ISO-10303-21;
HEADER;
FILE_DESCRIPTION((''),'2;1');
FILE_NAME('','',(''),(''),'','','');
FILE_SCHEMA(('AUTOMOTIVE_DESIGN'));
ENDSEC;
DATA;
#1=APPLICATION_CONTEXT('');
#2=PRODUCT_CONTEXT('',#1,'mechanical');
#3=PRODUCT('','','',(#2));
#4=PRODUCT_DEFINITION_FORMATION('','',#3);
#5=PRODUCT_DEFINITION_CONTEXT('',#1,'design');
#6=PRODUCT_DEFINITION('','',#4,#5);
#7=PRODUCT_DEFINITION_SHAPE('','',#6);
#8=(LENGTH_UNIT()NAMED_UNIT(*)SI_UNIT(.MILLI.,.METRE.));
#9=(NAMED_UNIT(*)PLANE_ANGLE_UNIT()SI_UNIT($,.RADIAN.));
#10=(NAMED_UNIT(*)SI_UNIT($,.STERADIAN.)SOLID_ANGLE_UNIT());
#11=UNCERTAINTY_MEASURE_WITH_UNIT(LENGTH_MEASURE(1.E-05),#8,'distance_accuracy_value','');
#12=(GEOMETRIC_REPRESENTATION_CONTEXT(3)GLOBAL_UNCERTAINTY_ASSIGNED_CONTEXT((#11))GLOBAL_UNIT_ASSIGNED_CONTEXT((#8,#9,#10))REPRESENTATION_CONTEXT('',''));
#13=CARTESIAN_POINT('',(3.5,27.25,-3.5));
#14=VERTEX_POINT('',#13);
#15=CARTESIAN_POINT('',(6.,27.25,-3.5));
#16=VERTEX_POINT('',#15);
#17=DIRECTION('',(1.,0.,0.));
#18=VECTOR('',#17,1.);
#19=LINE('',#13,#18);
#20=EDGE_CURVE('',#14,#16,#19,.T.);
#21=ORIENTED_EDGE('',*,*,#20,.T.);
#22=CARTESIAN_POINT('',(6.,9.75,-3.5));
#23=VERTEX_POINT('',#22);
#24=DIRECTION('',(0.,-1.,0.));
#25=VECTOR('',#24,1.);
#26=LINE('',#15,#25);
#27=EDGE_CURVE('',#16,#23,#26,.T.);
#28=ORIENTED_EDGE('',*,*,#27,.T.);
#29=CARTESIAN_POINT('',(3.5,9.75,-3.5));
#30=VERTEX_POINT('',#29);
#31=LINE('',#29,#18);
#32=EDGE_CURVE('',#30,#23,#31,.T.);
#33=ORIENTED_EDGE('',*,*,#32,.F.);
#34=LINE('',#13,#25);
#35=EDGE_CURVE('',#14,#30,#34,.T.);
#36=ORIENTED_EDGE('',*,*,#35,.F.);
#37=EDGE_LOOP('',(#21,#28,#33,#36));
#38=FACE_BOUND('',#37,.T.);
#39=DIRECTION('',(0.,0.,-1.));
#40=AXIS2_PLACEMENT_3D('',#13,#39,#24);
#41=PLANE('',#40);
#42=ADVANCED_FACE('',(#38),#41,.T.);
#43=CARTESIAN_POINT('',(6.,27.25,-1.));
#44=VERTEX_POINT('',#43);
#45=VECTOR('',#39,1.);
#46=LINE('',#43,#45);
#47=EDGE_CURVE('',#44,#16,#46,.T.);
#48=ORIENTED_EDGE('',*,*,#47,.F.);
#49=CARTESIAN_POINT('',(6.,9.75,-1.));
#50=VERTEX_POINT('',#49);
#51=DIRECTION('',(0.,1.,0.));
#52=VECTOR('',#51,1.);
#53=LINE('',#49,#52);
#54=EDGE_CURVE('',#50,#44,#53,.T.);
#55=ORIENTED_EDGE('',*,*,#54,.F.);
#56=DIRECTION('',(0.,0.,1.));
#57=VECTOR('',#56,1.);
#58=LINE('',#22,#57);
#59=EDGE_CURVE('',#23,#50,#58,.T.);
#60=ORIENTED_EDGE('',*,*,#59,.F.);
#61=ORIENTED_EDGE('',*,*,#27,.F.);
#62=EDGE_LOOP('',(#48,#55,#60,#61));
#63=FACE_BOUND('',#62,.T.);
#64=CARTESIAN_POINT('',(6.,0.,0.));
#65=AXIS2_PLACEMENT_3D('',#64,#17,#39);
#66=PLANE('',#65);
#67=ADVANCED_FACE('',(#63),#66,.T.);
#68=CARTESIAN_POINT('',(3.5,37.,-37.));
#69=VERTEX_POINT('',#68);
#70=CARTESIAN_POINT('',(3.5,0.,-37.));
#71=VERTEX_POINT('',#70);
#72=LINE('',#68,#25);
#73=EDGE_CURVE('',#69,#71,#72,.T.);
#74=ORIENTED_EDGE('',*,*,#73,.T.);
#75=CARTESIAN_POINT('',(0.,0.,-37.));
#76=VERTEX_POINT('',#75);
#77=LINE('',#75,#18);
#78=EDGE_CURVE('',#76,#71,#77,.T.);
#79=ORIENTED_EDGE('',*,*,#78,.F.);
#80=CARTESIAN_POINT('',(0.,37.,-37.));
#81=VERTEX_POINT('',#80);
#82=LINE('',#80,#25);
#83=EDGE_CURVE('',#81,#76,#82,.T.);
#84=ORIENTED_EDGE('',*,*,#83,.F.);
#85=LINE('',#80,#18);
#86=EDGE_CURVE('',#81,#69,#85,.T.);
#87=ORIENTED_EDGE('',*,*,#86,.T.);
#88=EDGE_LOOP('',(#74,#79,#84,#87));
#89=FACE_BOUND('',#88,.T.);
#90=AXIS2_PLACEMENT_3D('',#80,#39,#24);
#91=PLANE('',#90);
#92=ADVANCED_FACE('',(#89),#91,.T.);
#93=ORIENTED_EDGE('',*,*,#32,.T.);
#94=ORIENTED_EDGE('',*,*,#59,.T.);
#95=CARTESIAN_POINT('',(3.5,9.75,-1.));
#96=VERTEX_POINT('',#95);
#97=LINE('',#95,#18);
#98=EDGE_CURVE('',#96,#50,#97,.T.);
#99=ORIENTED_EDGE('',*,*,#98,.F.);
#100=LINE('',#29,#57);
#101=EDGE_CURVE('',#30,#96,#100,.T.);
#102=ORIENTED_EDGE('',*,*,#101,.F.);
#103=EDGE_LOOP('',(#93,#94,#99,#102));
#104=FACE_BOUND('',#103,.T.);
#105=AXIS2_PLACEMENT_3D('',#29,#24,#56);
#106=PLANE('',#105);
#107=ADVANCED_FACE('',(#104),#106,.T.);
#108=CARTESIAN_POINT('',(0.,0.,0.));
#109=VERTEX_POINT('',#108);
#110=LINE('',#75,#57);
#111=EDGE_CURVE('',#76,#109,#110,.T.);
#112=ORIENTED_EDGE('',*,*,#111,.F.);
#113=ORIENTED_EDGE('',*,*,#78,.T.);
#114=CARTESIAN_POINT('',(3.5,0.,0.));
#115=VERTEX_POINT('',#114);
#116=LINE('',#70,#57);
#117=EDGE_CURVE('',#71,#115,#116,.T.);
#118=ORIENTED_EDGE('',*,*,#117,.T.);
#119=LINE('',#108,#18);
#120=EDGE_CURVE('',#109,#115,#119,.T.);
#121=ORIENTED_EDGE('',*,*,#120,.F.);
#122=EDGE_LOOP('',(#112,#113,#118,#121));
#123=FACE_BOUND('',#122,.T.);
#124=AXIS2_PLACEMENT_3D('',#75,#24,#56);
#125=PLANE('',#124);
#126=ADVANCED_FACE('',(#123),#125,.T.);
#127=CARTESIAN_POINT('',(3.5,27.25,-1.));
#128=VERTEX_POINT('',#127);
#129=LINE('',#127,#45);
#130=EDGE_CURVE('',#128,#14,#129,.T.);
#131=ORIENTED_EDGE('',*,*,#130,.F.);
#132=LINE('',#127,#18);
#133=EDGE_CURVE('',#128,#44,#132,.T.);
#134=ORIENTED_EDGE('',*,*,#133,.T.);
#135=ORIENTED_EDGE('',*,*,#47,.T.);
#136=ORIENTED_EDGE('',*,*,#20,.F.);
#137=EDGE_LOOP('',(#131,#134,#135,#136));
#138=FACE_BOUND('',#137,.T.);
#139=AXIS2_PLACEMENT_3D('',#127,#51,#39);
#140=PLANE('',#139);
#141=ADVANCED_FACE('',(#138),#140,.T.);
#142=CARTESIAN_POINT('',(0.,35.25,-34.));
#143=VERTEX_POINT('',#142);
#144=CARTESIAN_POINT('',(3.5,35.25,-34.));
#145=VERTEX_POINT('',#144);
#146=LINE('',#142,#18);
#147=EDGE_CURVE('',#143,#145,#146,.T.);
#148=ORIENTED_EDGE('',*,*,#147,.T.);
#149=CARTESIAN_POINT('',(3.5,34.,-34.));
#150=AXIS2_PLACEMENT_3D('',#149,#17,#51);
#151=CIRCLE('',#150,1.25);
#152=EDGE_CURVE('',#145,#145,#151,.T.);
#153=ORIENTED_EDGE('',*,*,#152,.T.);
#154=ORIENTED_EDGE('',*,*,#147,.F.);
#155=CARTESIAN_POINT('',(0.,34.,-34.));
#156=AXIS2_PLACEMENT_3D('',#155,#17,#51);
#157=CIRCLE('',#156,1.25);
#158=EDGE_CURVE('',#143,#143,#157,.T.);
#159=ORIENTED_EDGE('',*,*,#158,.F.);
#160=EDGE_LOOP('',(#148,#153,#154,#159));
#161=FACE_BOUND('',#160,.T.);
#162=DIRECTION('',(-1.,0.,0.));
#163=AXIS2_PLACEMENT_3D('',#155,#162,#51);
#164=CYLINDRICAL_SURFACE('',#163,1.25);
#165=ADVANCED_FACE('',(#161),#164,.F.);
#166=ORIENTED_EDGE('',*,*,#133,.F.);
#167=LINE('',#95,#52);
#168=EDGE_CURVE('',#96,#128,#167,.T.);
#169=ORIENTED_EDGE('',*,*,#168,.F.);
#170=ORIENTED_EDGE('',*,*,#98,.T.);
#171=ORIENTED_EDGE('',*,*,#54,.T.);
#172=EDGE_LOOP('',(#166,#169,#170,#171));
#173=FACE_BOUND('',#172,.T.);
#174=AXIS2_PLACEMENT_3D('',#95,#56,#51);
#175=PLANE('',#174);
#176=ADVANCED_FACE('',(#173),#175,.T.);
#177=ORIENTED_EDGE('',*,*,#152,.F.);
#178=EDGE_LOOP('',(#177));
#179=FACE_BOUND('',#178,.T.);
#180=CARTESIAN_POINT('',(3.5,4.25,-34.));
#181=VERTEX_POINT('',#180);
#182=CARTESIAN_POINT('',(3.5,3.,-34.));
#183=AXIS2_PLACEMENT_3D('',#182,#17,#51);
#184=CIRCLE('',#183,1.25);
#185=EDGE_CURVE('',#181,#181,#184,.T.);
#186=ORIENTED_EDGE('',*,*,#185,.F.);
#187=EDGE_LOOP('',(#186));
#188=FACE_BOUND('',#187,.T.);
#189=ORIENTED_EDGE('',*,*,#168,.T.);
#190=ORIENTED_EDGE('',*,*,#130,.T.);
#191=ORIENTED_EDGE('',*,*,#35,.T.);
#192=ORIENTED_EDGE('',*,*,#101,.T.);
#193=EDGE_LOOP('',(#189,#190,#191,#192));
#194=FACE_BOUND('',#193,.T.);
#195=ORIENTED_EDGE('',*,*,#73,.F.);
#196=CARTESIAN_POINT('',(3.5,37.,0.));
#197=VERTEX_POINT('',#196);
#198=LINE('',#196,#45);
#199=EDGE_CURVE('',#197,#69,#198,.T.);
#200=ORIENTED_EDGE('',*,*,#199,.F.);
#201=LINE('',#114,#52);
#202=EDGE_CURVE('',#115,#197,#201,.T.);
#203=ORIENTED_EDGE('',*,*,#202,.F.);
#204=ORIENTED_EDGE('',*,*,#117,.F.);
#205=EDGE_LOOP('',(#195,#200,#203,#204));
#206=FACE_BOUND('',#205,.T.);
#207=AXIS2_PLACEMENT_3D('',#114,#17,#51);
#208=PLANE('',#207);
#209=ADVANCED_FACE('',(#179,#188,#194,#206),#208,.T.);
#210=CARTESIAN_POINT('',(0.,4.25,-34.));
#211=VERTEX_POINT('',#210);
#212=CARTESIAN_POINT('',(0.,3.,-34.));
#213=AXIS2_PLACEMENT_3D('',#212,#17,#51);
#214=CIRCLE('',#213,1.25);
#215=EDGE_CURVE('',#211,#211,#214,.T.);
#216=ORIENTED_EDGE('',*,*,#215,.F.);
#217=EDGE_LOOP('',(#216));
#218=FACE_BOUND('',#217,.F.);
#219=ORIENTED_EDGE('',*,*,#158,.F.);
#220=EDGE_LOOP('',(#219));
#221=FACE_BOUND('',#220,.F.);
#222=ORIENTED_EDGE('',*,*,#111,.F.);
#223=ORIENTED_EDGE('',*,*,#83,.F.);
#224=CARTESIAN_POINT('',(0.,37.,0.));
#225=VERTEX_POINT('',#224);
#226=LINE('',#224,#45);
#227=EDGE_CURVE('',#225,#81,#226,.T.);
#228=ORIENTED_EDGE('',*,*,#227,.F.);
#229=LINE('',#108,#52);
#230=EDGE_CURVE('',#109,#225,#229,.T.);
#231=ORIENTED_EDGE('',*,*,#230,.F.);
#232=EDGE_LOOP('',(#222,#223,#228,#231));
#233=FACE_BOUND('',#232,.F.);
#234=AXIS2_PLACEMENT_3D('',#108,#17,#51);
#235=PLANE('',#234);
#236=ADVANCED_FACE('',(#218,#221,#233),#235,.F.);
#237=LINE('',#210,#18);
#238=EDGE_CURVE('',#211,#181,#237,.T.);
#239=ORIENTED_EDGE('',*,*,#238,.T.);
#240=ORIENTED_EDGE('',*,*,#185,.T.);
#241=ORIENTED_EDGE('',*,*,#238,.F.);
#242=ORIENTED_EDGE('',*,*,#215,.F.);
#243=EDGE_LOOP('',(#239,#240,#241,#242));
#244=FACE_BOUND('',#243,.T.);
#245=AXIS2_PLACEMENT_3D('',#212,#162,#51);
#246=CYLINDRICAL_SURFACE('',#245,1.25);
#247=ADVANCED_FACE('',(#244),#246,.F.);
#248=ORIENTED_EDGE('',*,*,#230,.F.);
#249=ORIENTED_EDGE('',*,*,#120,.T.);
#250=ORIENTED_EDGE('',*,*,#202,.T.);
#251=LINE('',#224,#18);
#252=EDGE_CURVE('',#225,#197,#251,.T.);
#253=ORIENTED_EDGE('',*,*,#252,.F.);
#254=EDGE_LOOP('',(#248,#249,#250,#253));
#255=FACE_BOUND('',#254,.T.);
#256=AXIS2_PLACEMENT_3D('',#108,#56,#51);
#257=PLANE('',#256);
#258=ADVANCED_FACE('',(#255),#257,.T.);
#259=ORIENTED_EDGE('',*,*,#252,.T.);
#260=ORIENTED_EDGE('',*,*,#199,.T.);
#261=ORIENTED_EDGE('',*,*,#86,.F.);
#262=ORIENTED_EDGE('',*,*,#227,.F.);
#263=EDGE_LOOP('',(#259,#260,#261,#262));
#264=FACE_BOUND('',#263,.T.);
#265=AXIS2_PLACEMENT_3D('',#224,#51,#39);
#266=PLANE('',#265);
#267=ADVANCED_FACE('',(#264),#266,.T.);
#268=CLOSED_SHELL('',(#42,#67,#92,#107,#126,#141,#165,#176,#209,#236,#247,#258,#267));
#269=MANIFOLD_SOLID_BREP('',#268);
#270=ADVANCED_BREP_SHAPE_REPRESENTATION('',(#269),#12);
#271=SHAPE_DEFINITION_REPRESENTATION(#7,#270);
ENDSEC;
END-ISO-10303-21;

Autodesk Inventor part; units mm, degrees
ref_plane "YZ Plane" through (0, 0, 0) normal (1, 0, 0) x (0, 1, 0)
ref_plane "XZ Plane" through (0, 0, 0) normal (0, 1, 0) x (-1, 0, 0)
ref_plane "XY Plane" through (0, 0, 0) normal (0, 0, 1) x (1, 0, 0)
sketch "Náčrt1" plane through (0, 0, 0) normal (1, 0, 0) x (0, 1, 0)
  line L0 (0, 0) -> (37, 0)
  line L1 (37, 0) -> (37, -37)
  line L2 (37, -37) -> (0, -37)
  line L3 (0, -37) -> (0, 0)
  circle A0 centre (34, -34) radius 1.25
  circle A1 centre (3, -34) radius 1.25
  dimension "d0" = 37
  dimension "d1" = 37
  dimension "d2" = 2.5
  dimension "d3" = 3
  dimension "d4" = 3
  dimension "d5" = 3
extrude "Vysunutí1" add sketch "Náčrt1" along normal blind 3.5
sketch "Náčrt2" plane through (3.5, 0, 0) normal (1, 0, 0) x (0, 0, -1)
  line L0 (1, 27.25) -> (3.5, 27.25)
  line L1 (3.5, 27.25) -> (3.5, 9.75)
  line L2 (3.5, 9.75) -> (1, 9.75)
  line L3 (1, 9.75) -> (1, 27.25)
  line L4 (0, 37) -> (37, 37) projected
  line L5 (0, 37) -> (0, 0) projected
  dimension "d8" = 2.5
  dimension "d9" = 17.5
  dimension "d10" = 9.75
  dimension "d11" = 1
extrude "Vysunutí2" add sketch "Náčrt2" along normal blind 2.5
equation "\"d1\" = d0"
equation "\"d4\" = d3"
equation "\"d5\" = d4"
equation "\"d10\" = -0.5 * d9 + 0.5 * d0"
properties part number "SIM808 Module GSM GPRS GPS Breakout Board SIM808 for Arduino Raspberry"
